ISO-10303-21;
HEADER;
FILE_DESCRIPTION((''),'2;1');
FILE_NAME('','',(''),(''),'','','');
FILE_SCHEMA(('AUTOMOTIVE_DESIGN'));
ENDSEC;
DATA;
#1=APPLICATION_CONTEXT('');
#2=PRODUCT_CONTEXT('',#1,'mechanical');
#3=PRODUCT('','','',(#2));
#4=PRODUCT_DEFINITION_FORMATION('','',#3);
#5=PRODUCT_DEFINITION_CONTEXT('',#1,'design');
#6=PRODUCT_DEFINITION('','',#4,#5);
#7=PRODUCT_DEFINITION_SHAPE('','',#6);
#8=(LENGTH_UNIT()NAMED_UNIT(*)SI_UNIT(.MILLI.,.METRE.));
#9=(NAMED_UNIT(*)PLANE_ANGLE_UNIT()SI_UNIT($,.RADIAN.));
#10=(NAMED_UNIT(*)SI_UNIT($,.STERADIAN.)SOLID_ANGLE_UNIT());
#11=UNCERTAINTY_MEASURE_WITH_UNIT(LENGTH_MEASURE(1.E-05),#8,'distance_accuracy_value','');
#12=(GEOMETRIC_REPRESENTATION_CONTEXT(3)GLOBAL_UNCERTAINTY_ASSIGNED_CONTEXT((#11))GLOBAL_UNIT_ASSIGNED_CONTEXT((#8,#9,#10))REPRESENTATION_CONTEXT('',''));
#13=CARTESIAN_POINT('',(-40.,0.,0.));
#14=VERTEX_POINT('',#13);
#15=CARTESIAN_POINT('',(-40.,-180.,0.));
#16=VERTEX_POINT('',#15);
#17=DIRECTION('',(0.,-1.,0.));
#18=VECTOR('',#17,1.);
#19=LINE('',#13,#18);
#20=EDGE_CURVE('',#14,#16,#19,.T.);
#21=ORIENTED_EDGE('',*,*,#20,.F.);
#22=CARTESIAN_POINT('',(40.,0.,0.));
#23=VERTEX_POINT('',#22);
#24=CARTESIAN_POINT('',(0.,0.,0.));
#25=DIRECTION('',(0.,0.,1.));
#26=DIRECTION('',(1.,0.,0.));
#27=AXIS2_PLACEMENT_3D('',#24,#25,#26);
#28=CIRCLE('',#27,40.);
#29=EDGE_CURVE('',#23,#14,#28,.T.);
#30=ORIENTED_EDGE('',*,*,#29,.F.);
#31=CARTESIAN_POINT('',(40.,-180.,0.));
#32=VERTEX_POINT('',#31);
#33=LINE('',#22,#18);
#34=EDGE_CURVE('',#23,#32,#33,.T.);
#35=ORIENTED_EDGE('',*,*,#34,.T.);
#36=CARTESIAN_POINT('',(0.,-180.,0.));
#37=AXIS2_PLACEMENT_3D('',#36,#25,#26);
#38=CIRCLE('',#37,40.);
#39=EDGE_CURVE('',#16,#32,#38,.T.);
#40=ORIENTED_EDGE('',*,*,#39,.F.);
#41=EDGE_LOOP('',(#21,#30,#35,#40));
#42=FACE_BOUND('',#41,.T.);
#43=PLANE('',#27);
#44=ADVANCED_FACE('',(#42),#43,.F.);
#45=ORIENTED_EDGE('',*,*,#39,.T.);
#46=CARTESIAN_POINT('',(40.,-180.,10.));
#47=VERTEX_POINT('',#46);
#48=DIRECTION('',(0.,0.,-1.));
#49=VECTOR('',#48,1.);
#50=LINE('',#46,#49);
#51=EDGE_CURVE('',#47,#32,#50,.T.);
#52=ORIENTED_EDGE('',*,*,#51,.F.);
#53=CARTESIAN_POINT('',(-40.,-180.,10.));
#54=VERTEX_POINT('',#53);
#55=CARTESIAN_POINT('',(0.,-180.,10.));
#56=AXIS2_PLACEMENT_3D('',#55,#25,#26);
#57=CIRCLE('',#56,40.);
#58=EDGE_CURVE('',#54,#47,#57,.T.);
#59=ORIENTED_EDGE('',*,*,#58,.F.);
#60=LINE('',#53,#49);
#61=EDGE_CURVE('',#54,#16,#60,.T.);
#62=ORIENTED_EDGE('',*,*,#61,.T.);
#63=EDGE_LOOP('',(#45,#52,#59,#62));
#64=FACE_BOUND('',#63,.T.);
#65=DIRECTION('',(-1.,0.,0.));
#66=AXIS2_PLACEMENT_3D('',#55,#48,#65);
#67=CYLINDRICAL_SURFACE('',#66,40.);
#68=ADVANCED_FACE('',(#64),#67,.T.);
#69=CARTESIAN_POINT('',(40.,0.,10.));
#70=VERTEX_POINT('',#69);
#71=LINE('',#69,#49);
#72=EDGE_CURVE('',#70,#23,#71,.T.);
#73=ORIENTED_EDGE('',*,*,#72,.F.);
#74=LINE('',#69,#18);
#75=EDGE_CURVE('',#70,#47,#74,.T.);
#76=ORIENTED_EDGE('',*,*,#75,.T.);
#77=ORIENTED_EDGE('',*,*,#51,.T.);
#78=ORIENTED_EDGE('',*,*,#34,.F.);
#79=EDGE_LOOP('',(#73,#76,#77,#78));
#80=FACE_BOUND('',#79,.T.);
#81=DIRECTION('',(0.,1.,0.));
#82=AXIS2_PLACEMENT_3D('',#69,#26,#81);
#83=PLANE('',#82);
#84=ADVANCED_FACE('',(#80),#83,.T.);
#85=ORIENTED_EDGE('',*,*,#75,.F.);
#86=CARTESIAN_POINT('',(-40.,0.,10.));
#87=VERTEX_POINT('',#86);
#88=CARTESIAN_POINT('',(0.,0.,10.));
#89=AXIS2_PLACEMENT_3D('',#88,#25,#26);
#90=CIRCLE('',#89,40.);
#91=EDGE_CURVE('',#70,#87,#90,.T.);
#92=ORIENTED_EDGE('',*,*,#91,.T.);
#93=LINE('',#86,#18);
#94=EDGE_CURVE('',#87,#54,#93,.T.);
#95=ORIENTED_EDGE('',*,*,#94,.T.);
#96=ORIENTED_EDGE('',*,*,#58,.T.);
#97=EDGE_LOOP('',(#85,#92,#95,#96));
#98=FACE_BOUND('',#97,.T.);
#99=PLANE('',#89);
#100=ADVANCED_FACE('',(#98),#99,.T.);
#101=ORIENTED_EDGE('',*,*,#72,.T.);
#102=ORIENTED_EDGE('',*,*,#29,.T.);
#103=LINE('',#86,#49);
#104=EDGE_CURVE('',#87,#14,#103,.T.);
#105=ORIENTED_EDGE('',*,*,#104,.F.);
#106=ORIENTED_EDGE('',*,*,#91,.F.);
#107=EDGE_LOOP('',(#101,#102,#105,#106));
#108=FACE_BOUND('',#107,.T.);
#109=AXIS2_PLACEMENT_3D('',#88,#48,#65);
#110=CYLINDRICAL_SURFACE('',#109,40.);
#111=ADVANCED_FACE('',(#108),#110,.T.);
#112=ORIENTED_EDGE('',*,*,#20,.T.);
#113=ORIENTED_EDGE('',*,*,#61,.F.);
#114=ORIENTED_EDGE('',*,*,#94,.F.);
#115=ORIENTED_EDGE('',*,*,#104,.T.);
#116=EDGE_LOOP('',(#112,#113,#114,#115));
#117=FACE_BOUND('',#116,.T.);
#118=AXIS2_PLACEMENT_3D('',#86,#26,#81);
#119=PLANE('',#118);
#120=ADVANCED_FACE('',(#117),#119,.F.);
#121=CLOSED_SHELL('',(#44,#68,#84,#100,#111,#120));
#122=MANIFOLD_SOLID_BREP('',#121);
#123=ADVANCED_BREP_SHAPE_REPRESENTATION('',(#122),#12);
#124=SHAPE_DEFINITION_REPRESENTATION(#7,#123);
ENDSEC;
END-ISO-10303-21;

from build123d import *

# Parameters (mm, degrees)
EXTRUDE_1_DEPTH = 10


with BuildPart() as part:
    # 草图1 → 凸台-拉伸1 (new body)
    with BuildSketch(Plane.XY):
        with BuildLine():
            Line((-40, 0), (-40, -180))
            ThreePointArc((-40, -180), (0, -220), (40, -180))
            Line((40, -180), (40, 0))
            ThreePointArc((40, 0), (0, 40), (-40, 0))
        make_face()
    extrude(amount=EXTRUDE_1_DEPTH)


solid = part.part
